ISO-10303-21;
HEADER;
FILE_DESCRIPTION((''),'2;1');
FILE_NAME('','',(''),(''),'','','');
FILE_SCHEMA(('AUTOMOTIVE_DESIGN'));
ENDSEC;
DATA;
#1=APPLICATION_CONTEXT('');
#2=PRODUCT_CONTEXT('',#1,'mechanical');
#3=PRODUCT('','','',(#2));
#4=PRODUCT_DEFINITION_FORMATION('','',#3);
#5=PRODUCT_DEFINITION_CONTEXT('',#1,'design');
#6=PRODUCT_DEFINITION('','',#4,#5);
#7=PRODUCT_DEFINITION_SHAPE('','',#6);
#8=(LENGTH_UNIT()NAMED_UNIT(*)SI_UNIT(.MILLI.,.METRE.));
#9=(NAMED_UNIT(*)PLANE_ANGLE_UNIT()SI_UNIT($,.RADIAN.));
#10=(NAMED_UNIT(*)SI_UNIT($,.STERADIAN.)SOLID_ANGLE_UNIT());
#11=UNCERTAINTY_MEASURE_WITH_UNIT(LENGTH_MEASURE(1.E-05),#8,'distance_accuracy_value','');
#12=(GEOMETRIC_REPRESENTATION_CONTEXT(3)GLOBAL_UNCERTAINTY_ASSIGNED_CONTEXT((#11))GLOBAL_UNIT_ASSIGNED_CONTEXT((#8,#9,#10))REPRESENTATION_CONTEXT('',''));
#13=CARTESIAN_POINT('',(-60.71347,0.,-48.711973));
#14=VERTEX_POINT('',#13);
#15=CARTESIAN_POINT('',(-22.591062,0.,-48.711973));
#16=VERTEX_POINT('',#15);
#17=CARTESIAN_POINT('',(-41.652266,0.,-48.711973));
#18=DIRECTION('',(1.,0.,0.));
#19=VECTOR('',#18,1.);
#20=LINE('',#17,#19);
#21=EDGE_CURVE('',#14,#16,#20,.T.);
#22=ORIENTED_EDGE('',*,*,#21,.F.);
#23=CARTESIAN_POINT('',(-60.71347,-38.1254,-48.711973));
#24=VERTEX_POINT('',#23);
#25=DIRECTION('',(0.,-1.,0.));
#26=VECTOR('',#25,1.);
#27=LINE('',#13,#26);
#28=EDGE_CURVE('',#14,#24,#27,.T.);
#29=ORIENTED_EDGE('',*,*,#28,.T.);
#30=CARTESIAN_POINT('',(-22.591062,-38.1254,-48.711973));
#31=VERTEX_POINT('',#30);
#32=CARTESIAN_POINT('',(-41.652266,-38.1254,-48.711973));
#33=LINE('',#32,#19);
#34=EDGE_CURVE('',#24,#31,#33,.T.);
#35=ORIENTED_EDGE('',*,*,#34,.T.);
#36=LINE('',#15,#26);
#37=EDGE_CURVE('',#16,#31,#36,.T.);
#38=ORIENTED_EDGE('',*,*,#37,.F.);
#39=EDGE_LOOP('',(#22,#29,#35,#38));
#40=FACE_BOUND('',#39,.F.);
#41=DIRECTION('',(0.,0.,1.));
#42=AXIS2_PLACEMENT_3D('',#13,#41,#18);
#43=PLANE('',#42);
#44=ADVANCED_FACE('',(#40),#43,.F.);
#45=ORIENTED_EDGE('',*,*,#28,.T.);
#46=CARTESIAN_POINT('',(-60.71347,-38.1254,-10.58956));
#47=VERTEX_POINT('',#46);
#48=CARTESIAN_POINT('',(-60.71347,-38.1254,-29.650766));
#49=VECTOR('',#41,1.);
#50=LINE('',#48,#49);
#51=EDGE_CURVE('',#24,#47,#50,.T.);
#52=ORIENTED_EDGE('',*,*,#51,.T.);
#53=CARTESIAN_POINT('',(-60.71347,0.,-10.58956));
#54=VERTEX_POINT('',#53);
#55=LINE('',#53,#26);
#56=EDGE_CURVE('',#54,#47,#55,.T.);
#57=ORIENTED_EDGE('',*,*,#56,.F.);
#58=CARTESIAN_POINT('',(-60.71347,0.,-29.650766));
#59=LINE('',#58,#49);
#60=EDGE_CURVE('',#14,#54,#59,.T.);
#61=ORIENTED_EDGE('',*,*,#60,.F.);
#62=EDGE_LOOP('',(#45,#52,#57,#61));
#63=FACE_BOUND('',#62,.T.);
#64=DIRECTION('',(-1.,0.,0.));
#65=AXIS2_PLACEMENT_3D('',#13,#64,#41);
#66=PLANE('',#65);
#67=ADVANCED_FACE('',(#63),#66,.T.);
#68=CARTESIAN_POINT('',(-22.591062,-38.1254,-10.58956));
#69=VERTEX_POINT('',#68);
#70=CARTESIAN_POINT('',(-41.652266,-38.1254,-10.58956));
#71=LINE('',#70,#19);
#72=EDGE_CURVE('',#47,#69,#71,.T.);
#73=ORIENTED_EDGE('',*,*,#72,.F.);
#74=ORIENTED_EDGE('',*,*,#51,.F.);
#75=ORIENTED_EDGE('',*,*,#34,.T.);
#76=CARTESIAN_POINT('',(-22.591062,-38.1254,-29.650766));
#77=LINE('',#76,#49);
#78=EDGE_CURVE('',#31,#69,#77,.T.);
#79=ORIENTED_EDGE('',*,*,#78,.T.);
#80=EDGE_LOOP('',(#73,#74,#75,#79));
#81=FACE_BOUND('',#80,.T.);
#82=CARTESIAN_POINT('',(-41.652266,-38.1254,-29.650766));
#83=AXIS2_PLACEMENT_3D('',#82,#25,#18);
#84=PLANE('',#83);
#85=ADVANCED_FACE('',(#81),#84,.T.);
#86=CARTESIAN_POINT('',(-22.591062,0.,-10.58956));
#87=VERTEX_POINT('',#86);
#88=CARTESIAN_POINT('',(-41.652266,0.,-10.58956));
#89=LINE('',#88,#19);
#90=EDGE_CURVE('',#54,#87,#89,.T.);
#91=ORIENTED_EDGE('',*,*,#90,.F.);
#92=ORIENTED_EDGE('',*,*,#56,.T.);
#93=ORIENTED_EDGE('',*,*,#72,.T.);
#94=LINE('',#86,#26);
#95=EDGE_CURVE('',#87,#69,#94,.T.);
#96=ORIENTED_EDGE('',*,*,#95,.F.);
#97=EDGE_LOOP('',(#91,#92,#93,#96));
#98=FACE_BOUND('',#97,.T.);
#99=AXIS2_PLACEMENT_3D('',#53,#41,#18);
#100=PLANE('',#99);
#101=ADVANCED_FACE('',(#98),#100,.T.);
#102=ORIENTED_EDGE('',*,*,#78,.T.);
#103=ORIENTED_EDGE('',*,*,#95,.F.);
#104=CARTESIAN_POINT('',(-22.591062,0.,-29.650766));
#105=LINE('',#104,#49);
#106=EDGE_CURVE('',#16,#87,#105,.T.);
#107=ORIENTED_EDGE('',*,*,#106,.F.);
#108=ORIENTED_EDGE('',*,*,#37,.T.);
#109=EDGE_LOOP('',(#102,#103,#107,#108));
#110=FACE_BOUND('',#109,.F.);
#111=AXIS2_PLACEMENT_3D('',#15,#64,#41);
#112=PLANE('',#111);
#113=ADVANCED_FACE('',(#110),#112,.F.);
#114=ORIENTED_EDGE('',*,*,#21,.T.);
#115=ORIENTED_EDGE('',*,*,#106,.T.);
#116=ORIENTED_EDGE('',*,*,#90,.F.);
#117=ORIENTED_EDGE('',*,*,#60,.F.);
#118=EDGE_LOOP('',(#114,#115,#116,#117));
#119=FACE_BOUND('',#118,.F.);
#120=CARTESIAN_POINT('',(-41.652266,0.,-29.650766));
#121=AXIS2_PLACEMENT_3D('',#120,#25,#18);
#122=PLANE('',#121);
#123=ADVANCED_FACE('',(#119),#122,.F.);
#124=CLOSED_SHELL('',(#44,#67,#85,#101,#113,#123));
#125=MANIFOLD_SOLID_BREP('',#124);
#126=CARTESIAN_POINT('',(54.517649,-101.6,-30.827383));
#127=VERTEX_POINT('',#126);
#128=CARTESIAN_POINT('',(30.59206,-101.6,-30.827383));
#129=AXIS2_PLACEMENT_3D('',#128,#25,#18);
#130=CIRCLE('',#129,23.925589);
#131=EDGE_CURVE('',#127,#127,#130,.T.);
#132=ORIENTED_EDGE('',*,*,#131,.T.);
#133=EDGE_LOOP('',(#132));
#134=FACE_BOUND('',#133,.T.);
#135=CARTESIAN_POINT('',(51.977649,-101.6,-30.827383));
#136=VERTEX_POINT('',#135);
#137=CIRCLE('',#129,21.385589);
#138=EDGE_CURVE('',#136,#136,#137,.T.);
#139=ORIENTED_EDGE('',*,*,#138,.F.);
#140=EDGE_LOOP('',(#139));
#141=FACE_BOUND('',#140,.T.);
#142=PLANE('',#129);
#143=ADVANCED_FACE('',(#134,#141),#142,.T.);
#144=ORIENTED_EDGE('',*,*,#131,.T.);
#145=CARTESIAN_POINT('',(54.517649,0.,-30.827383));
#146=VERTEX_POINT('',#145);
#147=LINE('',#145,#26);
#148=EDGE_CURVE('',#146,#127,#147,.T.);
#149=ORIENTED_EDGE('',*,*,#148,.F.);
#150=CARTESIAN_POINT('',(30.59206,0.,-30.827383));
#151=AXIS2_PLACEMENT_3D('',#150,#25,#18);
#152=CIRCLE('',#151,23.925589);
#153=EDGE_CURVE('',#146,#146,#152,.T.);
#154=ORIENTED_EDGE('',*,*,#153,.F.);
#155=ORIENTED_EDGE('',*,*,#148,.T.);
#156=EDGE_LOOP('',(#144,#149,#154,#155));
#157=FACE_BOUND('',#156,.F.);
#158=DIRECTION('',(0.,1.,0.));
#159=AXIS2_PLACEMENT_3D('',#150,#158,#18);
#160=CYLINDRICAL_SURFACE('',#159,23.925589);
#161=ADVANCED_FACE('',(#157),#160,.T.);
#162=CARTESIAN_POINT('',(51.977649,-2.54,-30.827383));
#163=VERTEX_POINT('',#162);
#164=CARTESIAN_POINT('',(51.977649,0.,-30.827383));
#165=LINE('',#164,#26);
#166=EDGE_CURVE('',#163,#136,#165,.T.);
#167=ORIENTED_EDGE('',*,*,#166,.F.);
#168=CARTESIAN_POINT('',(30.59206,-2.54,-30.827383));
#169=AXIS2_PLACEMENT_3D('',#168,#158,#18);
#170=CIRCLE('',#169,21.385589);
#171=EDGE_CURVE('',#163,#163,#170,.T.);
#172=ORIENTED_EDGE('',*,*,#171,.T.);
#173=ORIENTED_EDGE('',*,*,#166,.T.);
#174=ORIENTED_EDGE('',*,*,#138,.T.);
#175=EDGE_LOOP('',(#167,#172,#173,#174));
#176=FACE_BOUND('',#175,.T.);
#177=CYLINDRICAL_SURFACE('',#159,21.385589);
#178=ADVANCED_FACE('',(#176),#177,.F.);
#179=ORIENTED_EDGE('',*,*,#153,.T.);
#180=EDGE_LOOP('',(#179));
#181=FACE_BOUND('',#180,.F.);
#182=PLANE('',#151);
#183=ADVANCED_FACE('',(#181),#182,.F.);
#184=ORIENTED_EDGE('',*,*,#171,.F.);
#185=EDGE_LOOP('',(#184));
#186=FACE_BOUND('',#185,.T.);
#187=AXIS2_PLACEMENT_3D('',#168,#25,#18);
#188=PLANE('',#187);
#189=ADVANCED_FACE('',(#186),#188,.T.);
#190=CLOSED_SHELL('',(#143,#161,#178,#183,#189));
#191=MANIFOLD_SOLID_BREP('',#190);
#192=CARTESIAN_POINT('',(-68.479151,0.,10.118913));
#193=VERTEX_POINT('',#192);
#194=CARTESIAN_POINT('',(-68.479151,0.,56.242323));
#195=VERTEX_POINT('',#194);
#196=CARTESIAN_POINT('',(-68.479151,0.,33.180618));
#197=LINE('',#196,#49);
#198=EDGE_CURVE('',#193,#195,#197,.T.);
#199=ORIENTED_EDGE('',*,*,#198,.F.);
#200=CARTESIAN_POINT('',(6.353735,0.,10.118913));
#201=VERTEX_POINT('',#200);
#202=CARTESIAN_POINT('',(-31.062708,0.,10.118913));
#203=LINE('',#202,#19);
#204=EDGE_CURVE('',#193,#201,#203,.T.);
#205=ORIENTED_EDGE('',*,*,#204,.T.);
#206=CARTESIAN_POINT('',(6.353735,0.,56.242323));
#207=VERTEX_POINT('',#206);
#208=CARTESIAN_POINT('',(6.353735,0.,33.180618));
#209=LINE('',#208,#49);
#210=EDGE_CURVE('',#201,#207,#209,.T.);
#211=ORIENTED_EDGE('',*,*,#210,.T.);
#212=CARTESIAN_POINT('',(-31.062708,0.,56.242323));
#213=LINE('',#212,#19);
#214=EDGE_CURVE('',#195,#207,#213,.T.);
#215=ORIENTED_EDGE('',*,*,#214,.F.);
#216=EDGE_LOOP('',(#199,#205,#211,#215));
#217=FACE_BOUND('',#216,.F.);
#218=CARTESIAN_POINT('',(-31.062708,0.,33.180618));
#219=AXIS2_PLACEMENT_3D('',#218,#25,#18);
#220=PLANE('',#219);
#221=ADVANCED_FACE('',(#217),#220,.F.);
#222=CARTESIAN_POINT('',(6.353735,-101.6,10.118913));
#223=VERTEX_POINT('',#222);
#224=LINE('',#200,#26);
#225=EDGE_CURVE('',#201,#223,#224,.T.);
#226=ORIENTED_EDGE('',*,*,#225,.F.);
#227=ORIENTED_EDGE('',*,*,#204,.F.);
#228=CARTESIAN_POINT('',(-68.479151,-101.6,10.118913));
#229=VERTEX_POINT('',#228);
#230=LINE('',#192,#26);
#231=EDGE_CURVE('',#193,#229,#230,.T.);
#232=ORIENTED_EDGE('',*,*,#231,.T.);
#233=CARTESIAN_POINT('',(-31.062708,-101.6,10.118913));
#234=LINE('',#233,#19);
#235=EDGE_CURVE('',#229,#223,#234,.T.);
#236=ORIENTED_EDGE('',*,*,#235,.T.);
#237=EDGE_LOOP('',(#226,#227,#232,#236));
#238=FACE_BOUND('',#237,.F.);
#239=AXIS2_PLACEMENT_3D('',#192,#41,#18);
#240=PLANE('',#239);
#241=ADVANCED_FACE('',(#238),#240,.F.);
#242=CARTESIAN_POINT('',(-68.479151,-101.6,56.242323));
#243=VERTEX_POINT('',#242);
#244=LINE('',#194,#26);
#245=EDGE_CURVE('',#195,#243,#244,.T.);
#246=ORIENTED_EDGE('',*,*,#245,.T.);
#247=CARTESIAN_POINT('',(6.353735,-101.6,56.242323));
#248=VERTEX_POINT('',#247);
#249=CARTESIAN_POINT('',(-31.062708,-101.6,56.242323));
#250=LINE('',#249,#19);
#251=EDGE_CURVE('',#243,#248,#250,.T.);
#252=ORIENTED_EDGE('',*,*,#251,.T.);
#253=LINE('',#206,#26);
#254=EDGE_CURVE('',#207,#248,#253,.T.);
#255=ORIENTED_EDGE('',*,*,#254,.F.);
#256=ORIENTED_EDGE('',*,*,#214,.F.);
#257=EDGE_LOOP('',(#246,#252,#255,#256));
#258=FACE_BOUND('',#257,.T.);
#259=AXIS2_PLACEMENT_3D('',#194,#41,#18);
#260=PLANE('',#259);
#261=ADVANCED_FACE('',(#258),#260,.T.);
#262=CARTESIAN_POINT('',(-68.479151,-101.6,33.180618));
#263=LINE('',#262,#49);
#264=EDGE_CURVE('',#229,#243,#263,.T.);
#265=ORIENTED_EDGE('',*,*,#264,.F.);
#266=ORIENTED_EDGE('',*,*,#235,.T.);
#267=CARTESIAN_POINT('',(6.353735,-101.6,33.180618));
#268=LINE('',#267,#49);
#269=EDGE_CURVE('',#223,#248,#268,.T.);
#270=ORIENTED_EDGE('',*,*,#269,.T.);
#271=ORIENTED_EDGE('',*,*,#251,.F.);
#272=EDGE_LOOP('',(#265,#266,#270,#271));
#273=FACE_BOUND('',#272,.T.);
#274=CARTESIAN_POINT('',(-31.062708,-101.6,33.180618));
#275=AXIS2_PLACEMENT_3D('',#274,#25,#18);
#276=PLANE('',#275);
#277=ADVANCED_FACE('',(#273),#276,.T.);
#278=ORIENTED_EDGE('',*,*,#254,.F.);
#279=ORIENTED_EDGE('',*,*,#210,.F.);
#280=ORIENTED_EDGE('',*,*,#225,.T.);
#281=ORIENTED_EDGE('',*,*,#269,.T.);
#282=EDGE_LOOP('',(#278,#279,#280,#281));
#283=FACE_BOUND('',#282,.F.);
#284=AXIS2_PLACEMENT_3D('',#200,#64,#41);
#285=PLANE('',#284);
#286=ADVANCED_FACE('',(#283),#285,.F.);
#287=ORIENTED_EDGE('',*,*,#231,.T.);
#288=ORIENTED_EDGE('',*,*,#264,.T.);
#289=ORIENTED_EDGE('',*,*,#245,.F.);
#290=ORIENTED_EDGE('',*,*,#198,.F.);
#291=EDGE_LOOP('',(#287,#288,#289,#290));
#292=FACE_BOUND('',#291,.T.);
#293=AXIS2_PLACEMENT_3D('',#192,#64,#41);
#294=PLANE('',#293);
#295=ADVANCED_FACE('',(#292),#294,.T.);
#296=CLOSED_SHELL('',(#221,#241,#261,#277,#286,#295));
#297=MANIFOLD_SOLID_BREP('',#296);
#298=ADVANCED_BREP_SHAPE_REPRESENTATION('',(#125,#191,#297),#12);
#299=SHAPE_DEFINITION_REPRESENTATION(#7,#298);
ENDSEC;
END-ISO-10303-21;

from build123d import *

# Parameters (mm, degrees)
F0_W     = 74.832886
F0_H     = 46.123411
F2_DEPTH = 101.6
F1_W     = 38.122408
F1_H     = 38.122413
F3_DEPTH = 38.1254
F4_R     = 23.925589
F5_DEPTH = 101.6
F6_T     = -2.54


with BuildPart() as f2:
    # F0 (on Front) → F2 (new body)
    with BuildSketch(Plane.XZ):
        with Locations((-31.062708, 33.180618)):
            Rectangle(F0_W, F0_H)
    extrude(amount=F2_DEPTH)


with BuildPart() as f3:
    # F1 (on Front) → F3 (new body)
    with BuildSketch(Plane.XZ):
        with Locations((-41.652266, -29.650766)):
            Rectangle(F1_W, F1_H)
    extrude(amount=F3_DEPTH)


with BuildPart() as f5:
    # F4 (on Front) → F5 (new body)
    with BuildSketch(Plane.XZ):
        with Locations((30.59206, -30.827383)):
            Circle(F4_R)
    extrude(amount=F5_DEPTH)

    # F6
    f6_openings = [f5.faces().sort_by_distance(p)[0] for p in [
        (30.59206, -101.6, -30.827383),
    ]]
    offset(amount=F6_T, openings=f6_openings)


solid = Compound([f2.part, f3.part, f5.part])
